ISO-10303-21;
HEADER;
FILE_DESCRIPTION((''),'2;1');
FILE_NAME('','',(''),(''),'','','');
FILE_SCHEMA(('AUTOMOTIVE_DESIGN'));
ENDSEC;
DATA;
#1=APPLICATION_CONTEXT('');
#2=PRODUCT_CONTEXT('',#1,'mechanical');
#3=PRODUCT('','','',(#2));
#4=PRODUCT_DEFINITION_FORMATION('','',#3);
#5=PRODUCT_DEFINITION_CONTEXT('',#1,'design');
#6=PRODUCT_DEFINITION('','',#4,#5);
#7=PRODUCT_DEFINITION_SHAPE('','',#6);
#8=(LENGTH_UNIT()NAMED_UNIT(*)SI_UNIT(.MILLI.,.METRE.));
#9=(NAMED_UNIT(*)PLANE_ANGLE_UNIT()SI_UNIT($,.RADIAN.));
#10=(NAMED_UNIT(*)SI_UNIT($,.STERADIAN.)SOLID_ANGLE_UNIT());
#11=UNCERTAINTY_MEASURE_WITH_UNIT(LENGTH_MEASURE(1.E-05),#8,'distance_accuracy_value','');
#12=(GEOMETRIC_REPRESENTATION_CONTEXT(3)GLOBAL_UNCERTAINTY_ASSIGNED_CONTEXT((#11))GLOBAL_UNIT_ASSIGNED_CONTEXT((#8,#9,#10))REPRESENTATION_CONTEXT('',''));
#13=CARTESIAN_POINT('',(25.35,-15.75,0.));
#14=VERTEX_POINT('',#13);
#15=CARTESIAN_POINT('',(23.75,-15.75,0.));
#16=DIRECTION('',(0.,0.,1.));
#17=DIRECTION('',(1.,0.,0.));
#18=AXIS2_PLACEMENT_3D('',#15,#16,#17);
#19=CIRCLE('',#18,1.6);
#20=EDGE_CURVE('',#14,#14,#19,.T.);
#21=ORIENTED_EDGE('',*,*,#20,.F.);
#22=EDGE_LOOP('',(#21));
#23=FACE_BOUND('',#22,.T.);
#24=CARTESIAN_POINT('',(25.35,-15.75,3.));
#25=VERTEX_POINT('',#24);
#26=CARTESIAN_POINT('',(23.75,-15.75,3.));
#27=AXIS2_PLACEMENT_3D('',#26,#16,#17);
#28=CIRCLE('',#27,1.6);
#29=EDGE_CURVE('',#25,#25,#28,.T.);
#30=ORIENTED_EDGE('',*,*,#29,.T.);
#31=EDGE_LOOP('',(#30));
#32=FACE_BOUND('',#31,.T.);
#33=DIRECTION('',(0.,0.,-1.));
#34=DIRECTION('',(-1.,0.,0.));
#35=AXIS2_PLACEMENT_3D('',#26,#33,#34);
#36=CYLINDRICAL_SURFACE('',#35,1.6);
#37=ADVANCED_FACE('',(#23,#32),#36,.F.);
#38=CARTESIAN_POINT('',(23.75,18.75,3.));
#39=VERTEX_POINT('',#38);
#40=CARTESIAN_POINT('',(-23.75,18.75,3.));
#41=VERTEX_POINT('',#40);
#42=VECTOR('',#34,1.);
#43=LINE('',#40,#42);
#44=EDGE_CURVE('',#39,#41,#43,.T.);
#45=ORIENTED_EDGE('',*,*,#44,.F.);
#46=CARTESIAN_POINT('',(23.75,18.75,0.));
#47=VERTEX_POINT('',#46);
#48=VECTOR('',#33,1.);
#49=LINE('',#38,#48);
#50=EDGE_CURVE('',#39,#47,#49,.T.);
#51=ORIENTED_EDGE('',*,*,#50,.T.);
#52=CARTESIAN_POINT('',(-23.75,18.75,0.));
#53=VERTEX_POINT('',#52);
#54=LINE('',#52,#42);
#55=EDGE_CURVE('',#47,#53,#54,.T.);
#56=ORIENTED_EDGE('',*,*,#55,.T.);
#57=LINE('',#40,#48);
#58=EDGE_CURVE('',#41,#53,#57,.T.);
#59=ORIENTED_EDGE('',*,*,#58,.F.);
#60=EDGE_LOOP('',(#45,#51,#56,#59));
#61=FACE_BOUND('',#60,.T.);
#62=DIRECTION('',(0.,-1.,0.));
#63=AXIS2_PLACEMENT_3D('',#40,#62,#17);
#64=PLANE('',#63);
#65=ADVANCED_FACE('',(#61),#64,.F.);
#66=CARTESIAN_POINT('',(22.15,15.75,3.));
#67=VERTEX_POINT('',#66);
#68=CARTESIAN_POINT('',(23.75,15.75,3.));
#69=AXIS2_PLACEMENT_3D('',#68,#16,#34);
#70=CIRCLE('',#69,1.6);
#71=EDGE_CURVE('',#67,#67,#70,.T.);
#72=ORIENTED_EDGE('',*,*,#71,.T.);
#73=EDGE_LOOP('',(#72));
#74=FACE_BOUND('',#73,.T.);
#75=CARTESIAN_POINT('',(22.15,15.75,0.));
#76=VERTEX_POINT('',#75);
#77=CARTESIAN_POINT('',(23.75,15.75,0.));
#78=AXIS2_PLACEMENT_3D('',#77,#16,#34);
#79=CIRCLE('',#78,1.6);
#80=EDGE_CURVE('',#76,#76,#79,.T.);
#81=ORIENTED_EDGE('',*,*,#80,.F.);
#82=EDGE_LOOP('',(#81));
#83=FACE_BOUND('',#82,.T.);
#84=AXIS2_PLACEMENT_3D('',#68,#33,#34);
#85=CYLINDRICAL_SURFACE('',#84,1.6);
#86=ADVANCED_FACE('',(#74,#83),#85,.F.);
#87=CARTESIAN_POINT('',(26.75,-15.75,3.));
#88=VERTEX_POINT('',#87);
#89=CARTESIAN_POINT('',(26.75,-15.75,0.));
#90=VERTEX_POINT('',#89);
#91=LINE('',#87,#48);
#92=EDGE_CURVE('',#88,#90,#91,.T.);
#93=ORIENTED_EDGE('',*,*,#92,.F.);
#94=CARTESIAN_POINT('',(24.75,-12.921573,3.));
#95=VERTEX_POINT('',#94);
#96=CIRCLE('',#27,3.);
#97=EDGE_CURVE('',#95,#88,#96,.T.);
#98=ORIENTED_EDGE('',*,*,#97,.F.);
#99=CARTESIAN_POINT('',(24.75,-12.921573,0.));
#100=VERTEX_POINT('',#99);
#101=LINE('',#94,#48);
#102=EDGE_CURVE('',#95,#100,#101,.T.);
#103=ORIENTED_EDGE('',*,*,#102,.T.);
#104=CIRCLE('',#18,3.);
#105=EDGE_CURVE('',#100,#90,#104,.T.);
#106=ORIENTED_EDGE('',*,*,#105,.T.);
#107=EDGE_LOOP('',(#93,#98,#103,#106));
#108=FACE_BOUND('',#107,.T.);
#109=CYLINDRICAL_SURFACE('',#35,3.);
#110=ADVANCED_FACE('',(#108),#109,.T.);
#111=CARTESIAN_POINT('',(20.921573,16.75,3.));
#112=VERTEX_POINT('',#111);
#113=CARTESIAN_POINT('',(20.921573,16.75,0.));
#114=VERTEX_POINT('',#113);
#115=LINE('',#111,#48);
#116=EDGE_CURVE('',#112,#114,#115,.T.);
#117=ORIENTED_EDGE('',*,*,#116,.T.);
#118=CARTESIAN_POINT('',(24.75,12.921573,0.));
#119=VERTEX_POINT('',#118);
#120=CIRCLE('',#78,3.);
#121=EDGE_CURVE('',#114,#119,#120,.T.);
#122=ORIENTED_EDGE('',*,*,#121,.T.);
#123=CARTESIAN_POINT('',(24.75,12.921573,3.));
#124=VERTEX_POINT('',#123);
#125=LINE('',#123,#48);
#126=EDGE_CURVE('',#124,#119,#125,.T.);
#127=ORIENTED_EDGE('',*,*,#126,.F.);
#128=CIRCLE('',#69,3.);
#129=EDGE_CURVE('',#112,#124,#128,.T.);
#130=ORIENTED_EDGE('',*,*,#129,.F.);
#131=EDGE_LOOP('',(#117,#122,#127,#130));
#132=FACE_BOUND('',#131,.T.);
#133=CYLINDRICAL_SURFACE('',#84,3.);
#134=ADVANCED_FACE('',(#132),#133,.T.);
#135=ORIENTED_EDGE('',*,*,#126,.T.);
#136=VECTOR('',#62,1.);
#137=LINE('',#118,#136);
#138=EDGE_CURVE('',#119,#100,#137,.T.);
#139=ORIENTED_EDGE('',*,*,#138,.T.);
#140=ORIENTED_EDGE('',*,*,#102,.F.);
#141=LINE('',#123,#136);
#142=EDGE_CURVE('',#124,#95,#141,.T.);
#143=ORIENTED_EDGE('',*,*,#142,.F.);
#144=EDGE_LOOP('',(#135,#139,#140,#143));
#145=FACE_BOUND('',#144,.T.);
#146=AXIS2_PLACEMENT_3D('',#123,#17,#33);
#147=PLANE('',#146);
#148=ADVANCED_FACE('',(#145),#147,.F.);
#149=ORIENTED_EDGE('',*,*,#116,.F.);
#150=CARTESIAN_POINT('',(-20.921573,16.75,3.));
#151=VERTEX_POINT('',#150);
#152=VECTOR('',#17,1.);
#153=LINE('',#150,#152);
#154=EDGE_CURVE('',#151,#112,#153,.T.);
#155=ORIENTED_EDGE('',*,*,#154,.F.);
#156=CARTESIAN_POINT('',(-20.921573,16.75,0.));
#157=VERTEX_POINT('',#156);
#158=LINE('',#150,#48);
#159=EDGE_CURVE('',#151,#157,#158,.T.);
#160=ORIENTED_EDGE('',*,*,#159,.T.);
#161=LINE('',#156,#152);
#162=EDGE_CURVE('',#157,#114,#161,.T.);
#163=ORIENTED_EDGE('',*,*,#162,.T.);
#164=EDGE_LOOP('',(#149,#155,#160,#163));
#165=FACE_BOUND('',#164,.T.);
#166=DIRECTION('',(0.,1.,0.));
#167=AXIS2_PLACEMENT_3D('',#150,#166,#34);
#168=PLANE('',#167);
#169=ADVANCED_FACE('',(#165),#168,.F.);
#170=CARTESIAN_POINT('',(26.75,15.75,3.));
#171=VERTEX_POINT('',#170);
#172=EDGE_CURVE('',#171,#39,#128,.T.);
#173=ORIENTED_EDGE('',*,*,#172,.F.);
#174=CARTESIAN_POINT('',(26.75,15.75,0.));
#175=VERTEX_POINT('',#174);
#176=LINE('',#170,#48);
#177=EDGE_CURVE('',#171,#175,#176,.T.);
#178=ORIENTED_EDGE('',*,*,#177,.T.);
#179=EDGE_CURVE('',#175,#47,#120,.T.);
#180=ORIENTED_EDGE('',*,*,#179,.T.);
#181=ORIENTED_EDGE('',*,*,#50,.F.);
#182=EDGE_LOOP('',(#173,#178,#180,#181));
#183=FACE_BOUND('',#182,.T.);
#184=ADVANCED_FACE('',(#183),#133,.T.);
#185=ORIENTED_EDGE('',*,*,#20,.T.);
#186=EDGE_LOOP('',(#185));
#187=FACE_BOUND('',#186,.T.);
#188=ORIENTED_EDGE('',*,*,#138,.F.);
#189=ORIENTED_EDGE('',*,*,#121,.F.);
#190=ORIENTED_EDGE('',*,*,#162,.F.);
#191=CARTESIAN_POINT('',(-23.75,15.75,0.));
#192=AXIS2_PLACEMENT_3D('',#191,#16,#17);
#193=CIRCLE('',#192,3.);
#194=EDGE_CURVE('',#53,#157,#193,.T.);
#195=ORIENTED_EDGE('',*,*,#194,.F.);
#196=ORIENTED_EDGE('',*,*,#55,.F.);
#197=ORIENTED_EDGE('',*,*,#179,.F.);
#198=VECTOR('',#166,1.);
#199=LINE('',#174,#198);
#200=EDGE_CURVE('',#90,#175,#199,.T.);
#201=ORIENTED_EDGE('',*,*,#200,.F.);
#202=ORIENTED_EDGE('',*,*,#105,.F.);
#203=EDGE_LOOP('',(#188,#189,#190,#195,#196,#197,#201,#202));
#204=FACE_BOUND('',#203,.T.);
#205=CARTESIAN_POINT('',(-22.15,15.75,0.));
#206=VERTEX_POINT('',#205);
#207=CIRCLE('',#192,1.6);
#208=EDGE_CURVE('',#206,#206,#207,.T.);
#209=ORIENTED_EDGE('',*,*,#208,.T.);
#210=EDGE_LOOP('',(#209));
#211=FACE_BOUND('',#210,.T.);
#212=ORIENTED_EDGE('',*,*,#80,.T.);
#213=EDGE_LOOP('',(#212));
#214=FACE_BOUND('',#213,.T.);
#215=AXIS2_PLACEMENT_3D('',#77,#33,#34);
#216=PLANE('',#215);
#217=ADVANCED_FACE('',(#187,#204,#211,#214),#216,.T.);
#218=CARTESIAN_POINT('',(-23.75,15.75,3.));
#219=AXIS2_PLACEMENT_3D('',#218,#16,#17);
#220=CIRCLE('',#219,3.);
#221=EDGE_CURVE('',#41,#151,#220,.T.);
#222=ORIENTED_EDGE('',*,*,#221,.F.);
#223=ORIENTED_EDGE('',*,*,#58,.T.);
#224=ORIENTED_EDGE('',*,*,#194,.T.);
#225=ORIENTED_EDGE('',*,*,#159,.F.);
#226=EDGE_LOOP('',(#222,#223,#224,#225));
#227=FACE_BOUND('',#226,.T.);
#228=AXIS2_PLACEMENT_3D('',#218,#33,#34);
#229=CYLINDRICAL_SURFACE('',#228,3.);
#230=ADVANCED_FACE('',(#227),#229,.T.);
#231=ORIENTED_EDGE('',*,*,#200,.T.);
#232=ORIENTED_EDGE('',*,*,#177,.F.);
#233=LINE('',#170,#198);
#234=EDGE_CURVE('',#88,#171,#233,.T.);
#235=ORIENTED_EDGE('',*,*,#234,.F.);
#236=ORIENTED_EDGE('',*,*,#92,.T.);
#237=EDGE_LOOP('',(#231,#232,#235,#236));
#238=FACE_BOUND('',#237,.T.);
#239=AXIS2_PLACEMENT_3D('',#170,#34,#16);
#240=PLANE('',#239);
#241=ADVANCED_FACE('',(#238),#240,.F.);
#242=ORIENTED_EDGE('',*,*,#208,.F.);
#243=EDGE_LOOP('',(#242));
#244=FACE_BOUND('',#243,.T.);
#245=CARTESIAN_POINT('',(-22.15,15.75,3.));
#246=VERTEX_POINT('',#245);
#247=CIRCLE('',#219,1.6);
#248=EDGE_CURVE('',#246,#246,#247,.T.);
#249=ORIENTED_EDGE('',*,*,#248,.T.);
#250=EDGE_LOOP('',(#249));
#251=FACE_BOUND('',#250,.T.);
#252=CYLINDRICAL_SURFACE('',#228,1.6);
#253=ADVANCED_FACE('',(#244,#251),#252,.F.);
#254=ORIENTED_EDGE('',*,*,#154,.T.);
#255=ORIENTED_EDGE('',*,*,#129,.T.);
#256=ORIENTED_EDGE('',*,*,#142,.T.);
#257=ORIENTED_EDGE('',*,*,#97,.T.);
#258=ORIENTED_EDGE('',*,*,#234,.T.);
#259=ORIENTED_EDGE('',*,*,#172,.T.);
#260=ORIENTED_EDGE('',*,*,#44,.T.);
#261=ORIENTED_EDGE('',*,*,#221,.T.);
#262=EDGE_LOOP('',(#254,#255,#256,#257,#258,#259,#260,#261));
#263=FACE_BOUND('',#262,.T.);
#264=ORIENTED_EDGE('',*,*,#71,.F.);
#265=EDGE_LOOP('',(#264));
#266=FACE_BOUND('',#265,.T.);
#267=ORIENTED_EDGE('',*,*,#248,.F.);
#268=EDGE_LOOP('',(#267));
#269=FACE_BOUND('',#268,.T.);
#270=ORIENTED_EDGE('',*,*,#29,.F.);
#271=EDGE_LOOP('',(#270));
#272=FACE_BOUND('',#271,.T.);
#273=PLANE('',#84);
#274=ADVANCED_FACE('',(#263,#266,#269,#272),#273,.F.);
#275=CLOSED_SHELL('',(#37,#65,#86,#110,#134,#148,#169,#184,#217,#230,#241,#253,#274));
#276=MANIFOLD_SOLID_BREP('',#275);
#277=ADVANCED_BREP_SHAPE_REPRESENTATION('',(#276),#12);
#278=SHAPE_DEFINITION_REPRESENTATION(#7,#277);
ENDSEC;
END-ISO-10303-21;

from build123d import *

# Parameters (mm, degrees)
ESBO_O1_R                = 1.6
RESSALTO_EXTRUS_O1_DEPTH = 3


with BuildPart() as part:
    # Esboço1 → Ressalto-extrusão1 (new body)
    with BuildSketch(Plane.XY):
        with BuildLine():
            Line((26.75, 15.75), (26.75, -15.75))
            ThreePointArc((26.75, -15.75), (21.300510257, -17.482050808), (24.75, -12.921572875))
            Line((24.75, -12.921572875), (24.75, 12.921572875))
            ThreePointArc((24.75, 12.921572875), (21.628679656, 13.628679656), (20.921572875, 16.75))
            Line((20.921572875, 16.75), (-20.921572875, 16.75))
            ThreePointArc((-20.921572875, 16.75), (-25.482050808, 13.300510257), (-23.75, 18.75))
            Line((-23.75, 18.75), (23.75, 18.75))
            ThreePointArc((23.75, 18.75), (25.871320344, 17.871320344), (26.75, 15.75))
        make_face()
        with Locations((-23.75, 15.75)):
            Circle(ESBO_O1_R, mode=Mode.SUBTRACT)
        with Locations((23.75, 15.75)):
            Circle(ESBO_O1_R, mode=Mode.SUBTRACT)
        with Locations((23.75, -15.75)):
            Circle(ESBO_O1_R, mode=Mode.SUBTRACT)
    extrude(amount=RESSALTO_EXTRUS_O1_DEPTH)


solid = part.part
